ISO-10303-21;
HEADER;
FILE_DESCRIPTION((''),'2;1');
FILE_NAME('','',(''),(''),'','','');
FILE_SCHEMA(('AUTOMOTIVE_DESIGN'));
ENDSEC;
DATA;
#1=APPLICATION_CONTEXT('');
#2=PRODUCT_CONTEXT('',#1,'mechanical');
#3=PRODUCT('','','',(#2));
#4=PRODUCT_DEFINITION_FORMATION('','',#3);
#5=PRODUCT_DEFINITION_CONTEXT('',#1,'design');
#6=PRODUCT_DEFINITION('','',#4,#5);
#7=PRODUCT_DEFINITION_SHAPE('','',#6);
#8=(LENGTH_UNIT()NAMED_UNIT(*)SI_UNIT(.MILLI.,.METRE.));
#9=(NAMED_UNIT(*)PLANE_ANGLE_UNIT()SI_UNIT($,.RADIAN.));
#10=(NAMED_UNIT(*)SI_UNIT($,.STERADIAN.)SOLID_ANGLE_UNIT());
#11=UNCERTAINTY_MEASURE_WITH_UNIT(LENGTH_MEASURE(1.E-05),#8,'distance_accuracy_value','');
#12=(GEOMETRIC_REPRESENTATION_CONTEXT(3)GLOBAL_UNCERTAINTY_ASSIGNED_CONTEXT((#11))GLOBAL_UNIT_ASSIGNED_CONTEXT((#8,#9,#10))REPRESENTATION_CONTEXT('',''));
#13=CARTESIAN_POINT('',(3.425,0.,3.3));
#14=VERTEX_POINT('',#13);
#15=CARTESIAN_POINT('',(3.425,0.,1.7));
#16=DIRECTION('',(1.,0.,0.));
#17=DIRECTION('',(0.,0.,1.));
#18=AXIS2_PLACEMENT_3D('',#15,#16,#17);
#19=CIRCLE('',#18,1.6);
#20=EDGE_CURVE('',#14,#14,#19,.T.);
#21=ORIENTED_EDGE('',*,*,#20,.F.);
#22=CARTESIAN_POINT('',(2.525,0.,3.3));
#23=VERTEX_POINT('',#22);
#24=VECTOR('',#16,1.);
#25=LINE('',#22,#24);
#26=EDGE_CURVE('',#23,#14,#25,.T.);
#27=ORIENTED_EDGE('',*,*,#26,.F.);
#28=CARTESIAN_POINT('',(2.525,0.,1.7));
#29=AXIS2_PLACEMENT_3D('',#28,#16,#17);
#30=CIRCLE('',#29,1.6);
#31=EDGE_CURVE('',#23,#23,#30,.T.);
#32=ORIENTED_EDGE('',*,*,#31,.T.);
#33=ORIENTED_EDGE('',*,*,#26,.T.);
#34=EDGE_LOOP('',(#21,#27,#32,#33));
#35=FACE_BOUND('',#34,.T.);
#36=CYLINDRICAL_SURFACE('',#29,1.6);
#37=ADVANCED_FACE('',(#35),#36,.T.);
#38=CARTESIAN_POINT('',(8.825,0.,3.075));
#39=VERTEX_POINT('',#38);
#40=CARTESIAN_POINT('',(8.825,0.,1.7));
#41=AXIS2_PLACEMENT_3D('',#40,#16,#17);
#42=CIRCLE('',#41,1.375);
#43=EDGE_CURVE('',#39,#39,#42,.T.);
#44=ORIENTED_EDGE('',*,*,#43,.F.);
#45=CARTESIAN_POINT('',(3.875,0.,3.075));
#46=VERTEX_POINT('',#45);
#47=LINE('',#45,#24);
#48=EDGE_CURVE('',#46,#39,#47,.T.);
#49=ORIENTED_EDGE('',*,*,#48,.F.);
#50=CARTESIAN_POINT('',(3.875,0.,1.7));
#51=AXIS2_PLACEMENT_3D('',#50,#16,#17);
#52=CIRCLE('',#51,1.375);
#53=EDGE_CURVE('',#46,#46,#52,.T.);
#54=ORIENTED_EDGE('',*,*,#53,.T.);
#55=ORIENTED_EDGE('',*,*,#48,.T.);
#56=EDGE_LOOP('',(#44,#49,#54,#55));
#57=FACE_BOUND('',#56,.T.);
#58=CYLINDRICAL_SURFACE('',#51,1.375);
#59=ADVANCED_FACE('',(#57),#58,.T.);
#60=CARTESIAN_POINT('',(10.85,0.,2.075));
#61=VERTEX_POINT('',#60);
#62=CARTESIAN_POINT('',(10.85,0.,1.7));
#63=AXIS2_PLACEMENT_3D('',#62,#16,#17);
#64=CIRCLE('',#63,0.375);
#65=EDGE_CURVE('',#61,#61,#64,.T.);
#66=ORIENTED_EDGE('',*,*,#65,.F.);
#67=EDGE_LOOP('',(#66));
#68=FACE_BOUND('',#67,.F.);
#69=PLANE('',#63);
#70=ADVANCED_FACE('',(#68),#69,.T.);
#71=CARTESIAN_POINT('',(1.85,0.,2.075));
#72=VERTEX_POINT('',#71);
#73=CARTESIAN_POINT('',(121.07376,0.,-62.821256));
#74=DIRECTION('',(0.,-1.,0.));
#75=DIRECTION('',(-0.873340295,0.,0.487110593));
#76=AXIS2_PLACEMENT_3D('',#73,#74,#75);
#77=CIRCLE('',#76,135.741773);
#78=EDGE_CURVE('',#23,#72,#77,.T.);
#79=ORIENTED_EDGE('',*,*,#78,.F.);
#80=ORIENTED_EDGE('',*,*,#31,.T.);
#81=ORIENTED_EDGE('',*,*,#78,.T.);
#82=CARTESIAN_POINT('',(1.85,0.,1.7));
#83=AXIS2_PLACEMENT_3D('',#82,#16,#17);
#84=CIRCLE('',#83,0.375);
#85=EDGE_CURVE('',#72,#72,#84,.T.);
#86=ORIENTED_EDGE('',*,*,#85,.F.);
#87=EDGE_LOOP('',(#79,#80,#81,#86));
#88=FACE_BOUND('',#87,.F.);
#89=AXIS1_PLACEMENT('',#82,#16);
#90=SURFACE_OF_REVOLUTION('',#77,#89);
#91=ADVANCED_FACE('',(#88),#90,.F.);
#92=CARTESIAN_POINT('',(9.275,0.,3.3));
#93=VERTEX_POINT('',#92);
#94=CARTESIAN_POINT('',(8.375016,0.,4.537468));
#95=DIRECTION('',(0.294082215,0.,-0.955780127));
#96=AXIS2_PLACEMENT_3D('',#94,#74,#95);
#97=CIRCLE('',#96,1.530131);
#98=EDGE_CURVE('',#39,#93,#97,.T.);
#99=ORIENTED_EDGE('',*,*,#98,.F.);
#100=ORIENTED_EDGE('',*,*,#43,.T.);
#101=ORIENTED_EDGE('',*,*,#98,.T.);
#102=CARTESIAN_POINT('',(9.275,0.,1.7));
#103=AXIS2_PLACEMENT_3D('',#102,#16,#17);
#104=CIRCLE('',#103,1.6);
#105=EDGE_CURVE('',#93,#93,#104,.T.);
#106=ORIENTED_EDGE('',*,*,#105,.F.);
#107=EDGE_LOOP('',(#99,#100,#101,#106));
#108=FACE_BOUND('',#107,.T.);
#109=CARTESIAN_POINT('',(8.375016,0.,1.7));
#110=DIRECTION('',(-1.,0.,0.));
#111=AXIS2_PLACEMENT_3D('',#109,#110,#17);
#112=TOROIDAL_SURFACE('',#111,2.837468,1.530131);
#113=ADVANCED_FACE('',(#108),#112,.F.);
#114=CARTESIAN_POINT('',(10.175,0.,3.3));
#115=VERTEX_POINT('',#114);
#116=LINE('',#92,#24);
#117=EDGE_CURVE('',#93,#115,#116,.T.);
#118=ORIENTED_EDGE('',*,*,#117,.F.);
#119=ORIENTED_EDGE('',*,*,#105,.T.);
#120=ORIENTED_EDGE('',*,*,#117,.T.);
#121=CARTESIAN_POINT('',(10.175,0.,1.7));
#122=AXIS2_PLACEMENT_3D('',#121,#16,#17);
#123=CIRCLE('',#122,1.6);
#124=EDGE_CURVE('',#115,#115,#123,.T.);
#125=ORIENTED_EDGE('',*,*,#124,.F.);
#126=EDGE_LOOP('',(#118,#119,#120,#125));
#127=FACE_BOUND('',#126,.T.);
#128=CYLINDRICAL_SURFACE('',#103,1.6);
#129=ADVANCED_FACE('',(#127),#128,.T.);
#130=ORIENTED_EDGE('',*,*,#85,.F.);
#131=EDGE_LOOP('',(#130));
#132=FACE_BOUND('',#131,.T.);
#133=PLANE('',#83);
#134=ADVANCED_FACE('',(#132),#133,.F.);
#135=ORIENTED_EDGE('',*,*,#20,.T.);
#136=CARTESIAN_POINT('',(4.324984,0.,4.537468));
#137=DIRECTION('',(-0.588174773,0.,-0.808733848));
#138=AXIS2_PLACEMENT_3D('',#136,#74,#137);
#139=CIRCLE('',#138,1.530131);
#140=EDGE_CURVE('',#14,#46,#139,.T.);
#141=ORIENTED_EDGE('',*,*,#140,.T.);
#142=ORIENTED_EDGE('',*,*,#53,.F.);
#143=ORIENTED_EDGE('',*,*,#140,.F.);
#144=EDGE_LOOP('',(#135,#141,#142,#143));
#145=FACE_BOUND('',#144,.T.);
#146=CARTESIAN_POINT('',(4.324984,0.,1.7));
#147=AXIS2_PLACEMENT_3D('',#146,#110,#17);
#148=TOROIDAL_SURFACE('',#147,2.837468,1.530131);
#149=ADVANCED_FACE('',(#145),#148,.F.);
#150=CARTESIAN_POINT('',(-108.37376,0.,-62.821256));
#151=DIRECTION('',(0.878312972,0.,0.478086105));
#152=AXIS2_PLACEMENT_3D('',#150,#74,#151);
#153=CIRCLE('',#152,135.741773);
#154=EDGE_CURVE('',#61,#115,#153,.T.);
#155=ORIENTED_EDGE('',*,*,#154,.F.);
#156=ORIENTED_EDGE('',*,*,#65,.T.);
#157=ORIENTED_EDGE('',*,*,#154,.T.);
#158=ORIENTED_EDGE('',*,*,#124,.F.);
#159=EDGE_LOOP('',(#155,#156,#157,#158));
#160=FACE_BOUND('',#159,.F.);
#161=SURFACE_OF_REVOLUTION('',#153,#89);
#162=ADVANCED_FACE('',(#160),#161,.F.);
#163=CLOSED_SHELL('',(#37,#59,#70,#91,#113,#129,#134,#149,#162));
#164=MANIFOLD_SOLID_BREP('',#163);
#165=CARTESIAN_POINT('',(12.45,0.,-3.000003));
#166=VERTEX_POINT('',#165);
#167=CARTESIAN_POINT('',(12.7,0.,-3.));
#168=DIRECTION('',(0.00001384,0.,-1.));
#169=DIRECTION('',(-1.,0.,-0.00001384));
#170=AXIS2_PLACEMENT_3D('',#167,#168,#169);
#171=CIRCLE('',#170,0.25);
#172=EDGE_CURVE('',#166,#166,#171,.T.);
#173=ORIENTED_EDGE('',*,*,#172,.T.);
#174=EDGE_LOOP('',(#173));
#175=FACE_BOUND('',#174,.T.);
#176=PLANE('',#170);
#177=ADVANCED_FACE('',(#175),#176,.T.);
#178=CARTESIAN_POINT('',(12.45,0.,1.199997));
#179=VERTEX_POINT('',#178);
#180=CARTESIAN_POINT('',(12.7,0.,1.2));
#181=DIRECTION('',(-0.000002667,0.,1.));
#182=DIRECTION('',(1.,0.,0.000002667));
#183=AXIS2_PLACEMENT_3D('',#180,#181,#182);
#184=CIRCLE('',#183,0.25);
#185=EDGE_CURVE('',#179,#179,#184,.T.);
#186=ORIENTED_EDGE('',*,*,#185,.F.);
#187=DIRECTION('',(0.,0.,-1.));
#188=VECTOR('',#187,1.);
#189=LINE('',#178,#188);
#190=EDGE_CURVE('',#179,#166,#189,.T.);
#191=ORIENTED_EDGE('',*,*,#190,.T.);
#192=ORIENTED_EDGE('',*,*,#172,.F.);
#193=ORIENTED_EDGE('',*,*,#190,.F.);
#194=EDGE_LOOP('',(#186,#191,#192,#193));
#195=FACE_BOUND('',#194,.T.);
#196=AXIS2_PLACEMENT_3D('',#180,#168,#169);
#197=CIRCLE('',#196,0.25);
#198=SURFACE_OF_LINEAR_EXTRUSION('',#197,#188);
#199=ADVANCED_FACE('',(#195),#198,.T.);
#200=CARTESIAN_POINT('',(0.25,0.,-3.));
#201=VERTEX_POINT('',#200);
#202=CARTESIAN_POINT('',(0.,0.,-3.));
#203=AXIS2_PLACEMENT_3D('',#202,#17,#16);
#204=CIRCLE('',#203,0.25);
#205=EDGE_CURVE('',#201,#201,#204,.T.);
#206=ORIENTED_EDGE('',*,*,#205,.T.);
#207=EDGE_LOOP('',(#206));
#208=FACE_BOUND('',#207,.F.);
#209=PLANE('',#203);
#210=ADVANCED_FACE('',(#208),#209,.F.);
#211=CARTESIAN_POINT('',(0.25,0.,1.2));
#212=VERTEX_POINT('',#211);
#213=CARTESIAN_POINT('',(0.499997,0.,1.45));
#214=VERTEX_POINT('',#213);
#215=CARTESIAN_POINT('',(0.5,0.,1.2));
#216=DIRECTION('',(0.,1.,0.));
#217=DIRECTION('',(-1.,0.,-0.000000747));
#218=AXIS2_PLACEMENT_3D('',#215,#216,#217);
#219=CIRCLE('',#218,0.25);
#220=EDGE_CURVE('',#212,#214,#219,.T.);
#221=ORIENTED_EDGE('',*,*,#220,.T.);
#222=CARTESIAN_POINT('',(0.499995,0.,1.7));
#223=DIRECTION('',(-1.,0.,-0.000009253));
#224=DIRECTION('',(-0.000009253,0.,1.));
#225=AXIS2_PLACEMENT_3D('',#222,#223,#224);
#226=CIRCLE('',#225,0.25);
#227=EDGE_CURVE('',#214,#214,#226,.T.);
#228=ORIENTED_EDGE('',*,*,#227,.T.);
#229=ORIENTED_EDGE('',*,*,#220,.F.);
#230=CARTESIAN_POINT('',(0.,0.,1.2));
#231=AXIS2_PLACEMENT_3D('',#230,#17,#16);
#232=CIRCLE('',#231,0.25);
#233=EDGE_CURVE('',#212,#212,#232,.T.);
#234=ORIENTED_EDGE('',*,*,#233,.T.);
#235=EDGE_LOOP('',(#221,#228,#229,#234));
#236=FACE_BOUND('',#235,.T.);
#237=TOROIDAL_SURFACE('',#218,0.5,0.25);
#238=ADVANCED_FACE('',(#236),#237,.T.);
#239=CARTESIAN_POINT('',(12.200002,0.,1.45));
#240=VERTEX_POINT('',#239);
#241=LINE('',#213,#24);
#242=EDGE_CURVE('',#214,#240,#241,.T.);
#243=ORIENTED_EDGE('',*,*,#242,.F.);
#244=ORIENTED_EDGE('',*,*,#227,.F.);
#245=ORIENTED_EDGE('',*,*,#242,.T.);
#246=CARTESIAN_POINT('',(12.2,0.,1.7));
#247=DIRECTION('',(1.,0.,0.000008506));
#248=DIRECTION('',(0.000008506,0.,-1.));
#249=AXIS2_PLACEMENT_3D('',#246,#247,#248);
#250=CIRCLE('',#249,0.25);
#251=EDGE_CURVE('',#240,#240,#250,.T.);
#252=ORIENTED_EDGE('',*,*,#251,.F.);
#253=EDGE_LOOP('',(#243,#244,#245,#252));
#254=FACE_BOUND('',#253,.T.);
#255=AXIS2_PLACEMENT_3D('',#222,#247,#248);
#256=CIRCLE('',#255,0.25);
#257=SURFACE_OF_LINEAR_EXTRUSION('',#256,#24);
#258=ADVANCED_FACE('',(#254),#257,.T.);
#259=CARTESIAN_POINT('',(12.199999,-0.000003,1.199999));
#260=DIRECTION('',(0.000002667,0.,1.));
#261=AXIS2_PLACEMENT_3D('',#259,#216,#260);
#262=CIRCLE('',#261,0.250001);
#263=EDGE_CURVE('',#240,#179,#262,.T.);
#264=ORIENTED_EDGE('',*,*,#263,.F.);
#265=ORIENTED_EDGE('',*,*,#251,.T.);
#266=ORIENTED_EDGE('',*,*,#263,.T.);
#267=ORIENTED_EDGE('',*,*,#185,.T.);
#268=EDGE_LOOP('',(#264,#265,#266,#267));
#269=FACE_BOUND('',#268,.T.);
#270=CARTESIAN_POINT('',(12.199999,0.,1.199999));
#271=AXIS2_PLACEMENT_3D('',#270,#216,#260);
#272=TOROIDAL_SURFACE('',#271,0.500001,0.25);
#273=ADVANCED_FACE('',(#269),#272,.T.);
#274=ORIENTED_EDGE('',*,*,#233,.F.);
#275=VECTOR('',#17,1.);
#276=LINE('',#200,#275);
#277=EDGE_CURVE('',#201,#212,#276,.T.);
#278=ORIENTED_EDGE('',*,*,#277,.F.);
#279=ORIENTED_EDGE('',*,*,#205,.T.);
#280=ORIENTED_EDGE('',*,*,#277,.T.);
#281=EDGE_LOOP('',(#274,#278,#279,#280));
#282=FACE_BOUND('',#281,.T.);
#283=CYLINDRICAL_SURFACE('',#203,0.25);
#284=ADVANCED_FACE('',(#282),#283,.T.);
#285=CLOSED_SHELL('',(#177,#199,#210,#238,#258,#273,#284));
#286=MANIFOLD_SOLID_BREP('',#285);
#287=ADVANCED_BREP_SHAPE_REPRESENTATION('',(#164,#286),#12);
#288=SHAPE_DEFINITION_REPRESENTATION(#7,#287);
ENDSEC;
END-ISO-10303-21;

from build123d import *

# Parameters (mm, degrees)
SKETCH_R = 0.25


with BuildPart() as revolution:
    # Sketch002 → Revolution (revolve)
    with BuildSketch(Plane.XZ):
        with BuildLine():
            Line((2.525, 3.3), (3.425, 3.3))
            ThreePointArc((3.425, 3.3), (3.640689, 3.168878), (3.875, 3.075))
            Line((3.875, 3.075), (8.825, 3.075))
            ThreePointArc((8.825, 3.075), (9.059311, 3.168878), (9.275, 3.3))
            Line((9.275, 3.3), (10.175, 3.3))
            ThreePointArc((10.85, 2.075), (10.514078, 2.688369), (10.175, 3.3))
            Line((10.85, 1.7), (10.85, 2.075))
            Line((1.85, 1.7), (10.85, 1.7))
            Line((1.85, 1.7), (1.85, 2.075))
            ThreePointArc((2.525, 3.3), (2.185922, 2.688369), (1.85, 2.075))
        make_face()
    revolve(axis=Axis((1.85, 0, 1.7), (1, 0, 0)))


with BuildPart() as sweep_body:
    # Sweep: sweep along a path in Sketch001
    with BuildLine(Plane.XZ) as sweep_path:
        Line((0, -3), (0, 1.2))
        ThreePointArc((0, 1.2), (0.146445, 1.553552), (0.499995, 1.7))
        Line((0.499995, 1.7), (12.2, 1.7))
        ThreePointArc((12.2, 1.7), (12.553553, 1.553553), (12.7, 1.2))
        Line((12.7, 1.2), (12.7, -3))
    # Sketch → Sweep (sweep)
    with BuildSketch(Plane.XY.offset(-2)):
        Circle(SKETCH_R)
    sweep(path=sweep_path.line)


solid = Compound([revolution.part, sweep_body.part])
